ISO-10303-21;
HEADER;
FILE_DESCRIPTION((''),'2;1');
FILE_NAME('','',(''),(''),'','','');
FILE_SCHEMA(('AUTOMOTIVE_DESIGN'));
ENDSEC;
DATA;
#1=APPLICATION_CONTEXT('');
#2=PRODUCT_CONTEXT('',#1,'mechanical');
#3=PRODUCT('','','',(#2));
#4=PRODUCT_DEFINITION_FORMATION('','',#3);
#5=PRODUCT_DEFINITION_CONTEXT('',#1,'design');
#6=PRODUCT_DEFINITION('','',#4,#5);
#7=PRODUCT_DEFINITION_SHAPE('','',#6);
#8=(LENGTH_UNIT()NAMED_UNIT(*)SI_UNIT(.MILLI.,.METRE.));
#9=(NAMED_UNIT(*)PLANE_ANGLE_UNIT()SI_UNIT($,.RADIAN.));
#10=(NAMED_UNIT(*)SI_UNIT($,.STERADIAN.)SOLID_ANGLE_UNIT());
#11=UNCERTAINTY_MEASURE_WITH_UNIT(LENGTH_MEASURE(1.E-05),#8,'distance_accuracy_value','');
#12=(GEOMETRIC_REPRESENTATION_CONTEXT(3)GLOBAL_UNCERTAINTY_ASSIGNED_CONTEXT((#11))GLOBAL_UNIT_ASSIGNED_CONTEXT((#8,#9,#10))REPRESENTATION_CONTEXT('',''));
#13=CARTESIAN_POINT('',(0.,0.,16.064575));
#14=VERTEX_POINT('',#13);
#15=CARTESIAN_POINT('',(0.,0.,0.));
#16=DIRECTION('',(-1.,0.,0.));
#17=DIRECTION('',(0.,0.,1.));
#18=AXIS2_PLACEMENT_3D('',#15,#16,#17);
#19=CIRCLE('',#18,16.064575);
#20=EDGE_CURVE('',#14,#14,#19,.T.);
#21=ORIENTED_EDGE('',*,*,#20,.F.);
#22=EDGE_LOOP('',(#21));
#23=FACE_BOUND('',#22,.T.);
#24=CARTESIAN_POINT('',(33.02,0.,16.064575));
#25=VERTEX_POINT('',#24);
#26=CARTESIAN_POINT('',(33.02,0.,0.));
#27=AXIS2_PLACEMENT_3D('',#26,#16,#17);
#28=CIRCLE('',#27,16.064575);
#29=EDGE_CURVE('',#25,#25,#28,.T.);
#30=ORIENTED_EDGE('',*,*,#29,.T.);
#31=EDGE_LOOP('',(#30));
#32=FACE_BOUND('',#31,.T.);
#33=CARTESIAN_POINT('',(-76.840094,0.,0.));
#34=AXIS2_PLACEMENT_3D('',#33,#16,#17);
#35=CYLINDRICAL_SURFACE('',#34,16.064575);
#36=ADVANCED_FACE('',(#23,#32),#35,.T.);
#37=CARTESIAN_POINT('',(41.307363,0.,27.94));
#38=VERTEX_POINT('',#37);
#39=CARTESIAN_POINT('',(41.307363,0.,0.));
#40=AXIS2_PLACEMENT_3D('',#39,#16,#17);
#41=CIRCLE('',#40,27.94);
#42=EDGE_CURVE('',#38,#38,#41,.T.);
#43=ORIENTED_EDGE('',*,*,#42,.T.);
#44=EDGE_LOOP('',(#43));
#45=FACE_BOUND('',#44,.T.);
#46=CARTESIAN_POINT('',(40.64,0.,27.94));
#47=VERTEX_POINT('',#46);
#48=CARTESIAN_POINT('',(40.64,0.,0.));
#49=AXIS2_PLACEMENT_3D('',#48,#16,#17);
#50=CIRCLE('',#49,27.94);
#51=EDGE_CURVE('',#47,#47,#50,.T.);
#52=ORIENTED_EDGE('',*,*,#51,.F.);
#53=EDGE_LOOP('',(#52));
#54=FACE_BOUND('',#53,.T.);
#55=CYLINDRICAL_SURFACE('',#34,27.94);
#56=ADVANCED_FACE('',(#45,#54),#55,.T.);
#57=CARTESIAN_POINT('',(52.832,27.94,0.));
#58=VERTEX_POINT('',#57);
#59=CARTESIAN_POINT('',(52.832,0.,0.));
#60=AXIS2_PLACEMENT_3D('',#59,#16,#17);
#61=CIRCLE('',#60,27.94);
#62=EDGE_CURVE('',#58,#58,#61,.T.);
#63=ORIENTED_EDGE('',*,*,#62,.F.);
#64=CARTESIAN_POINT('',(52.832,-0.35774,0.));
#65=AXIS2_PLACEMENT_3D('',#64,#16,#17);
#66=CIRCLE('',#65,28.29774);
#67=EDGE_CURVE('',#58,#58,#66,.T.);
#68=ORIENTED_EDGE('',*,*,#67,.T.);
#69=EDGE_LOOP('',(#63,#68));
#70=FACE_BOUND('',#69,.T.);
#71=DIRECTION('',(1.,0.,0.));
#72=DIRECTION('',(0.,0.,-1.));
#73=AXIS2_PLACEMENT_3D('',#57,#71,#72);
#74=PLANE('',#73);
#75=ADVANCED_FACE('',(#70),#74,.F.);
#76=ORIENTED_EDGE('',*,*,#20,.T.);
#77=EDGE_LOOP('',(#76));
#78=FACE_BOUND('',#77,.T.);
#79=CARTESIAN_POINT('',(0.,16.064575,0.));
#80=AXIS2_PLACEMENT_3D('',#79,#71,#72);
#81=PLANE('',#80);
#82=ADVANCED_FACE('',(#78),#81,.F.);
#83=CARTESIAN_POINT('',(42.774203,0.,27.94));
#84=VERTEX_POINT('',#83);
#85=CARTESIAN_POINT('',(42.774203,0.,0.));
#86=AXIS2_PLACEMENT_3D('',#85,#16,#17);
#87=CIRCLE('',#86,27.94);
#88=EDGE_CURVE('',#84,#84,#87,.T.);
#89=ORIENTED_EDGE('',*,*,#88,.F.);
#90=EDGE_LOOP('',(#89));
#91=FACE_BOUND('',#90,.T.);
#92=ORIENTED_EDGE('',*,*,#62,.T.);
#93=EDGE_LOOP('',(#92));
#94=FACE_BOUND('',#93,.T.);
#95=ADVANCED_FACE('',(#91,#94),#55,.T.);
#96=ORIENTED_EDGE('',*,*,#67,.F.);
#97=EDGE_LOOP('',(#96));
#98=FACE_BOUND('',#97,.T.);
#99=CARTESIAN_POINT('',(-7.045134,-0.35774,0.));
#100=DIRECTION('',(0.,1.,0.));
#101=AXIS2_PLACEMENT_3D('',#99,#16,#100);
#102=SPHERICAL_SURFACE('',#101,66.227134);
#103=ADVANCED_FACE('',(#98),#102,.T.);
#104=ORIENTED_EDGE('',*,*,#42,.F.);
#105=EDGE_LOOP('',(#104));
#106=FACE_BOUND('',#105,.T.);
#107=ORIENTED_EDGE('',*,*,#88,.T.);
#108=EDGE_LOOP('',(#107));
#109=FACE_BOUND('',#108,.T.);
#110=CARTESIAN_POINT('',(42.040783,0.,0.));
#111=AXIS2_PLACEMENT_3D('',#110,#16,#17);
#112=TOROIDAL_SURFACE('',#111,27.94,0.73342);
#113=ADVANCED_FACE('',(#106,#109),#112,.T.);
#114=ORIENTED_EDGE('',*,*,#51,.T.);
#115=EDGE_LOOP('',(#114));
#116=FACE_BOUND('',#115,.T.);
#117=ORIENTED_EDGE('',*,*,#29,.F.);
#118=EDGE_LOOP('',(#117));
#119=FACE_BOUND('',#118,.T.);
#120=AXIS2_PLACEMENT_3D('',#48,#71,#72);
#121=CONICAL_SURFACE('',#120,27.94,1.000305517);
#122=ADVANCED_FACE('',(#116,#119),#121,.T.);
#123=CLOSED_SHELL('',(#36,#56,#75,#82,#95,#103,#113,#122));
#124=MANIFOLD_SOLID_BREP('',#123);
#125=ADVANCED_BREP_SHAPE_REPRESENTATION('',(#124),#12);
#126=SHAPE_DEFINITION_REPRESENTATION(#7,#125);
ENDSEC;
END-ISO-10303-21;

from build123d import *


with BuildPart() as part:
    # Sketch1 → Revolve4 (revolve)
    with BuildSketch(Plane.XY, mode=Mode.PRIVATE) as revolve4_sk:
        with BuildLine():
            Line((52.832, 0), (52.832, 27.94))
            Line((52.832, 27.94), (42.774202723, 27.94))
            ThreePointArc((42.774202723, 27.94), (42.04078305, 28.673419673), (41.307363376, 27.94))
            Line((41.307363376, 27.94), (40.64, 27.94))
            Line((40.64, 27.94), (33.02, 16.064574588))
            Line((33.02, 16.064574588), (0, 16.064574588))
            Line((0, 16.064574588), (0, 0))
            Line((0, 0), (52.832, 0))
        make_face()
    revolve(revolve4_sk.sketch.rotate(Axis((-76.840094259, 0, 0), (1, 0, 0)), 90), axis=Axis((-76.840094259, 0, 0), (1, 0, 0)))

    # Sketch11 → Revolve7 (revolve)
    with BuildSketch(Plane.XY):
        with BuildLine():
            Line((52.832, 27.94), (52.832, -0.357740308))
            Line((52.832, -0.357740308), (59.182, -0.357740308))
            ThreePointArc((59.182, -0.357740308), (57.575003167, 14.14298904), (52.832, 27.94))
        make_face()
    revolve(axis=Axis((52.832, -0.357740308, 0), (1, 0, 0)))


solid = part.part
